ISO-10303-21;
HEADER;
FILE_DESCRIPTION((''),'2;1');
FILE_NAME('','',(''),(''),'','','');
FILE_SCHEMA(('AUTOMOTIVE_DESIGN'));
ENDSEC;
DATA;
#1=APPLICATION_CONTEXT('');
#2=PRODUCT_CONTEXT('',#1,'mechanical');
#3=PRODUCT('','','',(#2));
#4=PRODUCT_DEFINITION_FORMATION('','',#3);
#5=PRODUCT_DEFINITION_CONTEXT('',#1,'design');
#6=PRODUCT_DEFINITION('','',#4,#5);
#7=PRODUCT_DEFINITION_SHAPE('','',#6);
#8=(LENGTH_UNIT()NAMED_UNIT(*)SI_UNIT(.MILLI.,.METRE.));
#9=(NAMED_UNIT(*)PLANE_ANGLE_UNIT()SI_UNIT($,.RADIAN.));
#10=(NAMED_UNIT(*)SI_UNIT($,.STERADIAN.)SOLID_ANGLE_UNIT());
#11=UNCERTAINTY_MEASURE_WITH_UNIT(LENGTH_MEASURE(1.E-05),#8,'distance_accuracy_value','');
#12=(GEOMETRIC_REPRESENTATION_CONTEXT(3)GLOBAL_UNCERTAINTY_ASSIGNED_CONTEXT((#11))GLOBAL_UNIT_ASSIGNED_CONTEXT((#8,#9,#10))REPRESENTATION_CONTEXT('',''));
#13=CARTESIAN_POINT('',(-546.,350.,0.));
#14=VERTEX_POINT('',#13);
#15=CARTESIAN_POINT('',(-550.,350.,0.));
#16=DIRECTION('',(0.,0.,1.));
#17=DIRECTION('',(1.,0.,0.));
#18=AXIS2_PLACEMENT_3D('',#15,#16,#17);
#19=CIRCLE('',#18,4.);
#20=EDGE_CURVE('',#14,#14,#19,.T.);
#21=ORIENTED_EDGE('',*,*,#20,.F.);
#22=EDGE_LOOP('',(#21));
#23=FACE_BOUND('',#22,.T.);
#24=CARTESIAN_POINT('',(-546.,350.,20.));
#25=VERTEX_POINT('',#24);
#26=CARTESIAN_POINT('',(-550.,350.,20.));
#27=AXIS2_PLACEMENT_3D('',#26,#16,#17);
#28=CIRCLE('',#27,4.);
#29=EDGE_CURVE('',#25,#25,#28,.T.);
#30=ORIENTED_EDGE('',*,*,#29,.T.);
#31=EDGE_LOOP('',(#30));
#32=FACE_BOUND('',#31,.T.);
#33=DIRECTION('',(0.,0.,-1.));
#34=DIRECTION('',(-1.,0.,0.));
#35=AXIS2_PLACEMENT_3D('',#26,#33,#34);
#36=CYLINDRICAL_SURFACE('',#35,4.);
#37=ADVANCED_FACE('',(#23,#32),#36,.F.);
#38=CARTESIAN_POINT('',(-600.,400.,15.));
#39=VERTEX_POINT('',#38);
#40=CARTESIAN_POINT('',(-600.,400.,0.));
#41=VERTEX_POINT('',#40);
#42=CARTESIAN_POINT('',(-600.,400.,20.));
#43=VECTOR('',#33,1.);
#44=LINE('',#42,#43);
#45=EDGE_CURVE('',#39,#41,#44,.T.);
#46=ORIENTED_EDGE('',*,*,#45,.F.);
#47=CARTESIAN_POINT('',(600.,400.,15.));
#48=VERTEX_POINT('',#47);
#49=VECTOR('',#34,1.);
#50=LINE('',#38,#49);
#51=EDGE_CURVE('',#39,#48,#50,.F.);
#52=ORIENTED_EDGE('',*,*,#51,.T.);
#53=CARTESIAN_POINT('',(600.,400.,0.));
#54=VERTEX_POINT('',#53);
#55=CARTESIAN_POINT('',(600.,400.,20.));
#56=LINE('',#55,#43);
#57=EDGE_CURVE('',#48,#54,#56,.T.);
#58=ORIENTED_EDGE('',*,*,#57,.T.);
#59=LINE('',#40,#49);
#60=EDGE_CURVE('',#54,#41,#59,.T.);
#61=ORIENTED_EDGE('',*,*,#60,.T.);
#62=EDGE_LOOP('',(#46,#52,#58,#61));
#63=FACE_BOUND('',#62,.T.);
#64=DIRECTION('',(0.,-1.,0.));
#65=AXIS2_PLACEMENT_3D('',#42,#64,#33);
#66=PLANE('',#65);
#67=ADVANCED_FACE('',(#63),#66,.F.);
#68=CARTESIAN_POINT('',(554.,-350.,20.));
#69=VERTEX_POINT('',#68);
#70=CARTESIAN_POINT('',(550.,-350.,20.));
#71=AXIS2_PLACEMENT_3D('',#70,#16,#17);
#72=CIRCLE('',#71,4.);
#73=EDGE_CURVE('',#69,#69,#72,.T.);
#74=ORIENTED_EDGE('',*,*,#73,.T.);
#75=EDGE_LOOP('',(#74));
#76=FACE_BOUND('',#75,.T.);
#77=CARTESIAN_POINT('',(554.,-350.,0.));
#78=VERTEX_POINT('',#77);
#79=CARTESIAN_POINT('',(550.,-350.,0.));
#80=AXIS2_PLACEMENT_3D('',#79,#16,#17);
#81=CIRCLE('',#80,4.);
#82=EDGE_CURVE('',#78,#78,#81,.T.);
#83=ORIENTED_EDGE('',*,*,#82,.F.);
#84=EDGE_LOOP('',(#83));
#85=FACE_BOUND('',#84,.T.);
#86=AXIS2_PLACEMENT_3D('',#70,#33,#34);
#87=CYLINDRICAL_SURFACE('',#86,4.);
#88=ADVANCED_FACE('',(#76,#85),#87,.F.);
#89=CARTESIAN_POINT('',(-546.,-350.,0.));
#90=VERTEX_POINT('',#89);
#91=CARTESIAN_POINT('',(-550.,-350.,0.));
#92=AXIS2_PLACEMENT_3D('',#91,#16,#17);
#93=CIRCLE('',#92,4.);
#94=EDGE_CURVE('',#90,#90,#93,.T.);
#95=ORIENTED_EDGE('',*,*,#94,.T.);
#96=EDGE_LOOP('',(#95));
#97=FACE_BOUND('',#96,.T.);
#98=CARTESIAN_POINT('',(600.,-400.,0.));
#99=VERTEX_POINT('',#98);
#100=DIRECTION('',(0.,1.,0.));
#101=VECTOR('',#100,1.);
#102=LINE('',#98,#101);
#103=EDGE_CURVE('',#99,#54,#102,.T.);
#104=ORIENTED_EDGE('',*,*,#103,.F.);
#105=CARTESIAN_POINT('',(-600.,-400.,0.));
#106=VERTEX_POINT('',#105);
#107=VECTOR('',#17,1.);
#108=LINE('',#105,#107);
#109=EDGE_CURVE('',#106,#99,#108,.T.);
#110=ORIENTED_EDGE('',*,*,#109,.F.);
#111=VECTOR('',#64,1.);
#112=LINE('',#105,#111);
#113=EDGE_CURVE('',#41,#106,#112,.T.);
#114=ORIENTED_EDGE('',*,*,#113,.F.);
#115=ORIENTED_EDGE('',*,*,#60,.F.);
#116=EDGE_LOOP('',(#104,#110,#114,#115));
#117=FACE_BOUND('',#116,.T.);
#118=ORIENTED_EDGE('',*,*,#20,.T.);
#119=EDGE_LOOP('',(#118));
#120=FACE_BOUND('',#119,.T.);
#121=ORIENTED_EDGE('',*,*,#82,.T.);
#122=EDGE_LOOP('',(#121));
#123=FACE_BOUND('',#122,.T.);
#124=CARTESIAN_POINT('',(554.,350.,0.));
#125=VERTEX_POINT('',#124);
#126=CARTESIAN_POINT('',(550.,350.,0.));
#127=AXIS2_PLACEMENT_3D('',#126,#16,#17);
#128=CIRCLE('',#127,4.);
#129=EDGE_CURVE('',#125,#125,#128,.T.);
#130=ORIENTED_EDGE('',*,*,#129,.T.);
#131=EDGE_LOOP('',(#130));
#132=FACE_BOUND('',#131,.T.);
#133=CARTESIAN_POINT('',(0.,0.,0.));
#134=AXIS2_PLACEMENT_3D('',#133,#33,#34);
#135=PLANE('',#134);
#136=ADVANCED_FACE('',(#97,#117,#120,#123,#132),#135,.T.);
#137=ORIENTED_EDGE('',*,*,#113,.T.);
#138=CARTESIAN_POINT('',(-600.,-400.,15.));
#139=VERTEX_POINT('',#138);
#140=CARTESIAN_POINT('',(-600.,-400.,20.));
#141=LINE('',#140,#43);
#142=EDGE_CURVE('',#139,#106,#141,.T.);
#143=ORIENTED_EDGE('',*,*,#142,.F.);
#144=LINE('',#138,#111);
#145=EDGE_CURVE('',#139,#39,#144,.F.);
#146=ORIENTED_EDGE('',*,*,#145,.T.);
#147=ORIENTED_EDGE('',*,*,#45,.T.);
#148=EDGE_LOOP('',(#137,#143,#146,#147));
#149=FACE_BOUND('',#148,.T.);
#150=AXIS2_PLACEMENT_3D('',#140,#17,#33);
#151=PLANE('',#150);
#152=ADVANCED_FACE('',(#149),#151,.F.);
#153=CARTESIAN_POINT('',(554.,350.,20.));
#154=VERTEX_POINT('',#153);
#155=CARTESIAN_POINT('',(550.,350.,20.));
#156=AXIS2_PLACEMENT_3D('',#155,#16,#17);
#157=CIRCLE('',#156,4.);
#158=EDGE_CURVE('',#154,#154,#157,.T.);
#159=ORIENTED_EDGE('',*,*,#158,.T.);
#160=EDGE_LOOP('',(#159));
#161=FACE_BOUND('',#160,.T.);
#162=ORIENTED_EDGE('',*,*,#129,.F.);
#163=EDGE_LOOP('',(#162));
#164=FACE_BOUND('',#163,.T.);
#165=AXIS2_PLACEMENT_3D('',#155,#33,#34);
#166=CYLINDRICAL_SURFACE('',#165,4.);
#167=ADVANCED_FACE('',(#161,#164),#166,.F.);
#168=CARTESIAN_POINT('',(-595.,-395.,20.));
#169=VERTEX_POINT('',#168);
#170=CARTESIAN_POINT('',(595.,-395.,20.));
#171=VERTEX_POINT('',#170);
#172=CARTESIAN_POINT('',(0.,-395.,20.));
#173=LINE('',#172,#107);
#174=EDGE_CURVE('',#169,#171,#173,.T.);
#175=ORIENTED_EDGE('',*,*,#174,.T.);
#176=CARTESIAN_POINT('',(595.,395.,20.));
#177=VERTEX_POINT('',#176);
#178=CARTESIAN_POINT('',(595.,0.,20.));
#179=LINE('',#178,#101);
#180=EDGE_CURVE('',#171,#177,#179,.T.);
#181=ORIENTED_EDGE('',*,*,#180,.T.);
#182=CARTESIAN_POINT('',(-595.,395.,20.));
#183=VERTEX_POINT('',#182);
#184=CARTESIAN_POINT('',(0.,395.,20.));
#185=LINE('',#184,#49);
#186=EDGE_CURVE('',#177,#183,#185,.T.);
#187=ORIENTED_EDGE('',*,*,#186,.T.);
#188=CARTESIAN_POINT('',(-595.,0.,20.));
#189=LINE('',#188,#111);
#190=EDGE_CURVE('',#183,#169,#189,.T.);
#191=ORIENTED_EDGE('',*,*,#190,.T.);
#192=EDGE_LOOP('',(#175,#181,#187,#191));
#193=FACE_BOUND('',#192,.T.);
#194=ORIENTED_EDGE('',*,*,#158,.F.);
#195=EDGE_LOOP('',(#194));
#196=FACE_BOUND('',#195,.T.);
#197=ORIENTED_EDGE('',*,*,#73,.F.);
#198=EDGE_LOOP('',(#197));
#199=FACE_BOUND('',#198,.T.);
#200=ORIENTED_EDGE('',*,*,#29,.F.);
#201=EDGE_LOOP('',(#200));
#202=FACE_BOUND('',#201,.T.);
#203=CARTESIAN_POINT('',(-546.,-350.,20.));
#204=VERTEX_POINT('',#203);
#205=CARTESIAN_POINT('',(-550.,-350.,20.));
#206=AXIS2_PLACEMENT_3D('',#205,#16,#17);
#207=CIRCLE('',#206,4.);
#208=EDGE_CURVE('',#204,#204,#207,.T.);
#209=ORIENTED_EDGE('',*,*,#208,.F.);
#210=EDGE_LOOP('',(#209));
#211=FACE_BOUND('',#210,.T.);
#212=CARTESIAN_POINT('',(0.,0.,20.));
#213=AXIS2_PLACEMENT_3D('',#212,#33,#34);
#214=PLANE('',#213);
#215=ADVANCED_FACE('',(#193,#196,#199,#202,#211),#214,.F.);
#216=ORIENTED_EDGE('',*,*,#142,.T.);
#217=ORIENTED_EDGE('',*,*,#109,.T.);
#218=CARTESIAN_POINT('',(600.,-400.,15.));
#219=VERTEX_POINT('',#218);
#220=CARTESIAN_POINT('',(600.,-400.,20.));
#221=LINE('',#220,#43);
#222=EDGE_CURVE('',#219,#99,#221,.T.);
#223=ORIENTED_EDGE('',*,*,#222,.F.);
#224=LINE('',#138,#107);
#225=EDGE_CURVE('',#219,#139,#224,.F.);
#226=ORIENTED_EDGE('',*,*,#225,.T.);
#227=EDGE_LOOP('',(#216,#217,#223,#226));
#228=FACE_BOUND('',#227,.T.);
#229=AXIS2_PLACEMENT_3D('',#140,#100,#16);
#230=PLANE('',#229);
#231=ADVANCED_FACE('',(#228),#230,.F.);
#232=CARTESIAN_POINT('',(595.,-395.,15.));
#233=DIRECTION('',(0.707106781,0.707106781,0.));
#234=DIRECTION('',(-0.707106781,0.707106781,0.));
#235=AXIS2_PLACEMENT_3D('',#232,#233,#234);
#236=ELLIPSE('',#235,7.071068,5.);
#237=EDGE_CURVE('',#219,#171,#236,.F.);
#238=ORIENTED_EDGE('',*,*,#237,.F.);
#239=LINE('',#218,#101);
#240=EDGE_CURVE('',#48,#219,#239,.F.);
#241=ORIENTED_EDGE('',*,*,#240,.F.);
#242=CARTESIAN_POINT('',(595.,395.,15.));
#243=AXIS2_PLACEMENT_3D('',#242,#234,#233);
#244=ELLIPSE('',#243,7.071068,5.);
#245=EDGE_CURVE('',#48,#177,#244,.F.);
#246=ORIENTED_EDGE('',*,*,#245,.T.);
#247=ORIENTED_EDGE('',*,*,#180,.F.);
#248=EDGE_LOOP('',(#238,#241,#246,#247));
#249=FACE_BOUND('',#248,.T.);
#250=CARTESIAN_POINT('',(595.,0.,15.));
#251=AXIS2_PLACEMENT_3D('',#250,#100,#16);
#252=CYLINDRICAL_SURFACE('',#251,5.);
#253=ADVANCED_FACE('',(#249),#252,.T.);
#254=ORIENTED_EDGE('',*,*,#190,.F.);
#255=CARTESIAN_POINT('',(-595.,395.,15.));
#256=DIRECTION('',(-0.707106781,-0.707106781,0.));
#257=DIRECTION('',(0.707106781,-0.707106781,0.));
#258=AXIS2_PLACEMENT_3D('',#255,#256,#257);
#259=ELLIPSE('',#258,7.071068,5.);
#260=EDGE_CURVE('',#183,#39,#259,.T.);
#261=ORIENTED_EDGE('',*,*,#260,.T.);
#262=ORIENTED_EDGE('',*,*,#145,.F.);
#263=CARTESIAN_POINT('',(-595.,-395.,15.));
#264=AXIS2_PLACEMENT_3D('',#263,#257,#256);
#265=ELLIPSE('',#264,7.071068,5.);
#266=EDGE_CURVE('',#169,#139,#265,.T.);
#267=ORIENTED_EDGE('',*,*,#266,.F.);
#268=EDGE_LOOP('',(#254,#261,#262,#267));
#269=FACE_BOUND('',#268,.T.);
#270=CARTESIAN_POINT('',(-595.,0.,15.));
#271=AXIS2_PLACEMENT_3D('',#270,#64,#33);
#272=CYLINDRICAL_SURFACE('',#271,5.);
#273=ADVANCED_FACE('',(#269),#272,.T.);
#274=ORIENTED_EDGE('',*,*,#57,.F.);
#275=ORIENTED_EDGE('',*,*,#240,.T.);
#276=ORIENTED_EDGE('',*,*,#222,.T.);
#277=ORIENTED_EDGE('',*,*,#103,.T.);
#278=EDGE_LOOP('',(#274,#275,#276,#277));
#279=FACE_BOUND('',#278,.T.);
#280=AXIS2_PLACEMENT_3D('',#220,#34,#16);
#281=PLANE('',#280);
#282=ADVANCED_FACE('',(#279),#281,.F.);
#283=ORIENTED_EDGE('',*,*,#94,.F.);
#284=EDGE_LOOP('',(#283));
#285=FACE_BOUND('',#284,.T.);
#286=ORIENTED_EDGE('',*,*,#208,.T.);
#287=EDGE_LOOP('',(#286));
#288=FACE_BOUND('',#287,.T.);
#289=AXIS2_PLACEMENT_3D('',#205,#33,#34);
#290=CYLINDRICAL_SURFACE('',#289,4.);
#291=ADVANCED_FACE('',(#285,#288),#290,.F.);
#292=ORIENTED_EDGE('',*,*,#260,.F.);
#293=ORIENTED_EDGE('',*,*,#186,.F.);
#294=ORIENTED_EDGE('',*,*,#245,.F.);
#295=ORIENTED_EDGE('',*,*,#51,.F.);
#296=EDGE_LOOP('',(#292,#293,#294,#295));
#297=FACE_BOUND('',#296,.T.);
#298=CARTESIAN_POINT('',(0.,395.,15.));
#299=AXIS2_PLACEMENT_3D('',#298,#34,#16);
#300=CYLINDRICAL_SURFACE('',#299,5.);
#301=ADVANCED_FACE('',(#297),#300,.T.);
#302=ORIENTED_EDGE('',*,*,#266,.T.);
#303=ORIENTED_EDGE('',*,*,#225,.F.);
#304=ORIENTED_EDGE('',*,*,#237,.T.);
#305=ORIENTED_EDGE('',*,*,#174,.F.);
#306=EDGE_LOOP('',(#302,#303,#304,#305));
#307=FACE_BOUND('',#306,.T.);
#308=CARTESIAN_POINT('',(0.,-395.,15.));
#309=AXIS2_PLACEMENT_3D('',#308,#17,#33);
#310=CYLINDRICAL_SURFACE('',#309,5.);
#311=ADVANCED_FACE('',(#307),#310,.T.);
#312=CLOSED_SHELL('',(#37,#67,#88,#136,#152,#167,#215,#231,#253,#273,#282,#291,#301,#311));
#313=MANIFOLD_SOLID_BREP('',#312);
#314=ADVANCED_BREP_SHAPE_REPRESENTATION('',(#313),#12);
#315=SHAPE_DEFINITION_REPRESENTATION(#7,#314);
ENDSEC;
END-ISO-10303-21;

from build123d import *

# Parameters (mm, degrees)
SKETCH1_W           = 1200
SKETCH1_H           = 800
BOSS_EXTRUDE1_DEPTH = 20
FILLET1_R           = 5
SKETCH2_R           = 4
CUT_EXTRUDE1_DEPTH  = 20
SKETCH3_R           = 4
CUT_EXTRUDE2_DEPTH  = 20
SKETCH4_R           = 4
CUT_EXTRUDE3_DEPTH  = 20
SKETCH5_R           = 4
CUT_EXTRUDE4_DEPTH  = 20


with BuildPart() as part:
    # Sketch1 → Boss-Extrude1 (new body)
    with BuildSketch(Plane.XY):
        Rectangle(SKETCH1_W, SKETCH1_H)
    extrude(amount=BOSS_EXTRUDE1_DEPTH)

    # Fillet1
    fillet1_edges = [part.edges().sort_by_distance(p)[0] for p in [
        (-600, 0, 20),
        (0, -400, 20),
        (600, 0, 20),
        (0, 400, 20),
    ]]
    fillet(fillet1_edges, radius=FILLET1_R)

    # Sketch2 → Cut-Extrude1 (cut)
    with BuildSketch(Plane.XY):
        with Locations((550, 350)):
            Circle(SKETCH2_R)
    extrude(amount=CUT_EXTRUDE1_DEPTH, mode=Mode.SUBTRACT)

    # Sketch3 → Cut-Extrude2 (cut)
    with BuildSketch(Plane.XY):
        with Locations((550, -350)):
            Circle(SKETCH3_R)
    extrude(amount=CUT_EXTRUDE2_DEPTH, mode=Mode.SUBTRACT)

    # Sketch4 → Cut-Extrude3 (cut)
    with BuildSketch(Plane.XY):
        with Locations((-550, 350)):
            Circle(SKETCH4_R)
    extrude(amount=CUT_EXTRUDE3_DEPTH, mode=Mode.SUBTRACT)

    # Sketch5 → Cut-Extrude4 (cut)
    with BuildSketch(Plane.XY):
        with Locations((-550, -350)):
            Circle(SKETCH5_R)
    extrude(amount=CUT_EXTRUDE4_DEPTH, mode=Mode.SUBTRACT)


solid = part.part
